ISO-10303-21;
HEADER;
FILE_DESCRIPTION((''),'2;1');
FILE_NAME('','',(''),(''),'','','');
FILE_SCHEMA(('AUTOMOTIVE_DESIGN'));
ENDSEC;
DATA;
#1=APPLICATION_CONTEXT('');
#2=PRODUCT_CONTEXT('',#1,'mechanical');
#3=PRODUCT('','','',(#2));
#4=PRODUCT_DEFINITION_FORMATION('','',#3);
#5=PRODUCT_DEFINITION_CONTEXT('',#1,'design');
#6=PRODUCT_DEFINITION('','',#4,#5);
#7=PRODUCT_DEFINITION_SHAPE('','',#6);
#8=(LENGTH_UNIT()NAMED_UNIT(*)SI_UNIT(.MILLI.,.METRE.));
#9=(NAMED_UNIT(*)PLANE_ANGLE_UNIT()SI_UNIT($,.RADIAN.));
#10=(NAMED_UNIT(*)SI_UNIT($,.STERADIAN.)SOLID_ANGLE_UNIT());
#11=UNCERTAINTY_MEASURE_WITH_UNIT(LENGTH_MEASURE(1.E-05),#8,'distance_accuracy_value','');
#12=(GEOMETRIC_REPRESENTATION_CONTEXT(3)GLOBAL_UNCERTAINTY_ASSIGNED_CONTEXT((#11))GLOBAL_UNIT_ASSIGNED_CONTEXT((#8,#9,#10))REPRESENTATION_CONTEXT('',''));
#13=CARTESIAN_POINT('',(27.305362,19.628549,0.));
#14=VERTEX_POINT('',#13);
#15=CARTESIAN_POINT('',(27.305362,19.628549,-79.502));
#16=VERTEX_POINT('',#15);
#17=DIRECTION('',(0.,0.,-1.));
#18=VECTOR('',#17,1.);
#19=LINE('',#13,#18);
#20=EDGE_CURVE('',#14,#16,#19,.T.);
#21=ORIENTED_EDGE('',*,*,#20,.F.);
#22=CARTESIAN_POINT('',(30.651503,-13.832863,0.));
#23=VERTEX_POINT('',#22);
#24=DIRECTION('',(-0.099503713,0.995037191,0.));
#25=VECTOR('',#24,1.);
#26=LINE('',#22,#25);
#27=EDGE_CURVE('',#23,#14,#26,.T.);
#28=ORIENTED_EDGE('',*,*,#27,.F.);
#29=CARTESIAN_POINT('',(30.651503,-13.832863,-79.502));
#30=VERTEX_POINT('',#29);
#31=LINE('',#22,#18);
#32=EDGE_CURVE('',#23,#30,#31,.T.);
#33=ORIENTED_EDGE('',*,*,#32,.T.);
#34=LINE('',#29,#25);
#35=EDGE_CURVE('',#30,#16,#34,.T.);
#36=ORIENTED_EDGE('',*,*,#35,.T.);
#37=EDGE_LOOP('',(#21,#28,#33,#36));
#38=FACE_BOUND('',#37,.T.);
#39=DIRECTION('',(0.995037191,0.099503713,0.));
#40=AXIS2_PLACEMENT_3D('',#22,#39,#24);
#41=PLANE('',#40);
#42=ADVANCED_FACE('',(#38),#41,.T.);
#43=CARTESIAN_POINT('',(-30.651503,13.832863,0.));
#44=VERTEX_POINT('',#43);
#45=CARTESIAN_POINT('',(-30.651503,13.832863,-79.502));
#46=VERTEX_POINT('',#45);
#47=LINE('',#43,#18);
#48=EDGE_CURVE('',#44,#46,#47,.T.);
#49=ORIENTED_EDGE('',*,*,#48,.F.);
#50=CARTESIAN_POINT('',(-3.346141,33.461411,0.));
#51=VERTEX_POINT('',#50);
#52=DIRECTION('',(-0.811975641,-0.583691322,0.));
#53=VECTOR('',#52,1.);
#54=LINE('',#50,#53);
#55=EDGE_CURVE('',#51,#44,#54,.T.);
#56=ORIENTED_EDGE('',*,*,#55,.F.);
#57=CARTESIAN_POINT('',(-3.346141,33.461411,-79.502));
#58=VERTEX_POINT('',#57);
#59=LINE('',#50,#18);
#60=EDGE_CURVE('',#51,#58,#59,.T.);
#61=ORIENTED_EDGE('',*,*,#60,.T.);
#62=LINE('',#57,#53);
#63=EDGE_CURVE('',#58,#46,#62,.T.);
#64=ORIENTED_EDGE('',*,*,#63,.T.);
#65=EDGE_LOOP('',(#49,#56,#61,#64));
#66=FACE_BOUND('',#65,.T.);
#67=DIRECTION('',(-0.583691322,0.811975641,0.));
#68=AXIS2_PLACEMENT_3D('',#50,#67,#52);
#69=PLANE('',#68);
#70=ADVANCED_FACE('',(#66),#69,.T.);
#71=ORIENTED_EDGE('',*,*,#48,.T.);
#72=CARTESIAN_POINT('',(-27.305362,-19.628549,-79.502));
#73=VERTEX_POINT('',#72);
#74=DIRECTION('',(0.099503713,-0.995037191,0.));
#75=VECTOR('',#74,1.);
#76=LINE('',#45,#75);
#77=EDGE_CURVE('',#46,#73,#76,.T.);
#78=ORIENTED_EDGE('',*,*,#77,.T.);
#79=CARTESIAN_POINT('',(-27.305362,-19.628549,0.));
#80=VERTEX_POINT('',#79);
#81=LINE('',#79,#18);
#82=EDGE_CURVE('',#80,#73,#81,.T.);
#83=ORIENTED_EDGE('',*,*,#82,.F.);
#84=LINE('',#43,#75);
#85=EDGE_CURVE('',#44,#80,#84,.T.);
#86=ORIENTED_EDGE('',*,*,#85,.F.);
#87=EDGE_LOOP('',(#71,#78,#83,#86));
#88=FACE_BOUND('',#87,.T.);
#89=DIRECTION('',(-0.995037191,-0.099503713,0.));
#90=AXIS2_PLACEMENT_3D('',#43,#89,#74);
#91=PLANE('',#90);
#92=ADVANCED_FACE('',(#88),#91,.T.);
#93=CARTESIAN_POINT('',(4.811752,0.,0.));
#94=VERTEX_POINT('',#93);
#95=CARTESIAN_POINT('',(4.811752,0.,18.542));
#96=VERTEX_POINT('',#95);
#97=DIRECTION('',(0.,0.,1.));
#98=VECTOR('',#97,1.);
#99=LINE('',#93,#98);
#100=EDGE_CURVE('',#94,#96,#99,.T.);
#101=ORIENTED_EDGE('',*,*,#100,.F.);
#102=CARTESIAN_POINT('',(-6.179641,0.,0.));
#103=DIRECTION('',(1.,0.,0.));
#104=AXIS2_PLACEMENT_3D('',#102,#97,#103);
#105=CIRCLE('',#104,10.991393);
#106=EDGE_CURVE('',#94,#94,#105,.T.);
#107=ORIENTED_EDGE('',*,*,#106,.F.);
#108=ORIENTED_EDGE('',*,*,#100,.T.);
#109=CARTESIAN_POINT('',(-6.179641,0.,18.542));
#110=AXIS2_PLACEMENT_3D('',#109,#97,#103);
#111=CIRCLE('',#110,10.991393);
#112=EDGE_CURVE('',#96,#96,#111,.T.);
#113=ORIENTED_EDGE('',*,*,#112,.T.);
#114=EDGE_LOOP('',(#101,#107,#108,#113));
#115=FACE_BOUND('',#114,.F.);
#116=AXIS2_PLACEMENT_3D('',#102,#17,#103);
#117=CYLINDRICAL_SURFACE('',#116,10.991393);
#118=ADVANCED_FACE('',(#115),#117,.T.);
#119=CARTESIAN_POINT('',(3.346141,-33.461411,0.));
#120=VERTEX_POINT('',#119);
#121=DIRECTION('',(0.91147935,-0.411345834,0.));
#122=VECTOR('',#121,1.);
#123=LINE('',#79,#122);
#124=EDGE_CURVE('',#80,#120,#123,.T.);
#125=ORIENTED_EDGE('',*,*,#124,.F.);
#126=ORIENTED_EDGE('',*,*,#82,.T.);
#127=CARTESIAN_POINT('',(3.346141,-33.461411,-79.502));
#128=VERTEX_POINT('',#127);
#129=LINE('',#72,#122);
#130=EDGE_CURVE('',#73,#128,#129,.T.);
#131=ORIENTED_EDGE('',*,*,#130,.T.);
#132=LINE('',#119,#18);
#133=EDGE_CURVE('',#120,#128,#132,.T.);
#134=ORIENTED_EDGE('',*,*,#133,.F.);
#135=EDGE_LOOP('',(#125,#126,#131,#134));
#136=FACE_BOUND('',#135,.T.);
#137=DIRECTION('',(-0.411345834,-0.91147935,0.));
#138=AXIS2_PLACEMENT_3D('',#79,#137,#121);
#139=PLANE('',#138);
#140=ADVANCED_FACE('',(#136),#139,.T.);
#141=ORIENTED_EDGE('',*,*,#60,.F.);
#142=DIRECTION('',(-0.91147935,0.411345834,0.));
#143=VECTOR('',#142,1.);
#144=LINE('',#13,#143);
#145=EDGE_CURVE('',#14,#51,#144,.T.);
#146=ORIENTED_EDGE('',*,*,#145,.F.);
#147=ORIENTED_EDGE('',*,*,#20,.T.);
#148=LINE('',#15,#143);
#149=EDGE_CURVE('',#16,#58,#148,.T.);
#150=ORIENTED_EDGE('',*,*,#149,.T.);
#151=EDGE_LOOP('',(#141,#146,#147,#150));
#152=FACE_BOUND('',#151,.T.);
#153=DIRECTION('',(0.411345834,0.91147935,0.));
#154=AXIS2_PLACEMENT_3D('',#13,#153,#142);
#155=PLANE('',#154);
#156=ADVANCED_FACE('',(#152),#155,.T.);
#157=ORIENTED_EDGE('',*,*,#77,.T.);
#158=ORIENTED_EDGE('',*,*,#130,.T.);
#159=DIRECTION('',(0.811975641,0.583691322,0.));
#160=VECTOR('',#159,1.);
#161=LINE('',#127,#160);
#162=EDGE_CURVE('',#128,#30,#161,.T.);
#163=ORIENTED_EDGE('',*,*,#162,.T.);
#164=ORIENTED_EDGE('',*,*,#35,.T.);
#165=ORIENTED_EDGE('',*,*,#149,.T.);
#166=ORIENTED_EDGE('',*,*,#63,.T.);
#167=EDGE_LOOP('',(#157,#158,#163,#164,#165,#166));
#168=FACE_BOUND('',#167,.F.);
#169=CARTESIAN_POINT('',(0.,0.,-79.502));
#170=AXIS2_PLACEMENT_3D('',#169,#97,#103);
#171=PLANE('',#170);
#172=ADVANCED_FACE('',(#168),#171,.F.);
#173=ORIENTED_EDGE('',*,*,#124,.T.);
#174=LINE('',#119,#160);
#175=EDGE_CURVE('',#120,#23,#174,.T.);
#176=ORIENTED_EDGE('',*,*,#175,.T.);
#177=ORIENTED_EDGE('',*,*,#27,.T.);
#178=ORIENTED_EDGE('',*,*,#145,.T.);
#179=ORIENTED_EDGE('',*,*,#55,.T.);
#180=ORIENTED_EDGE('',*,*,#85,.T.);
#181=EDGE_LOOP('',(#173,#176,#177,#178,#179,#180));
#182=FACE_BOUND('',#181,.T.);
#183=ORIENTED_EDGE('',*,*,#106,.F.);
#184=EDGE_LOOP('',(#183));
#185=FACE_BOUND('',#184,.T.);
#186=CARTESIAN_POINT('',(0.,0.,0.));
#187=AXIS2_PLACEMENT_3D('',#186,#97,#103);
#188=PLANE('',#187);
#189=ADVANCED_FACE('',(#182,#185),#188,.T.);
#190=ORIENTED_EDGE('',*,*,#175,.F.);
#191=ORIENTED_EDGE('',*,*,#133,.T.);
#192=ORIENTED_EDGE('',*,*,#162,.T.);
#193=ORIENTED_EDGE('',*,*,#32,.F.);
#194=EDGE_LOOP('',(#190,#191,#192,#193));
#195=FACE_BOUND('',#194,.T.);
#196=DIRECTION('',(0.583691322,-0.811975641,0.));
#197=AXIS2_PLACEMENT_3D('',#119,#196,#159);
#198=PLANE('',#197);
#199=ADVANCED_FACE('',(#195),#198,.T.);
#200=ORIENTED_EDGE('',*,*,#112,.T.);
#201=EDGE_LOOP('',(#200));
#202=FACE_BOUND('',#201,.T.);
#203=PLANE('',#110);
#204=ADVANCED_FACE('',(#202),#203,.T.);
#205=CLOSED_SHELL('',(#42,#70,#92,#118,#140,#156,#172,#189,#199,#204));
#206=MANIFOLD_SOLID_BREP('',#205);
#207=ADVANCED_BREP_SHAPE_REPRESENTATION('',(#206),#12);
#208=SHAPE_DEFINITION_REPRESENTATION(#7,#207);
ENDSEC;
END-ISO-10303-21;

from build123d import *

# Parameters (mm, degrees)
F1_DEPTH = 79.502
F2_R     = 10.991393
F3_DEPTH = 18.542


with BuildPart() as f1:
    # F0 (on Top) → F1 (new body)
    with BuildSketch(Plane.XY):
        Polygon((-3.346141, 33.461411), (-30.651503, 13.832863), (-27.305362, -19.628549), (3.346141, -33.461411), (30.651503, -13.832863), (27.305362, 19.628549), align=None)
    extrude(amount=-F1_DEPTH)

    # F2 (on Top) → F3 (join)
    with BuildSketch(Plane.XY):
        with Locations((-6.179641, 0)):
            Circle(F2_R)
    extrude(amount=F3_DEPTH)


solid = f1.part
